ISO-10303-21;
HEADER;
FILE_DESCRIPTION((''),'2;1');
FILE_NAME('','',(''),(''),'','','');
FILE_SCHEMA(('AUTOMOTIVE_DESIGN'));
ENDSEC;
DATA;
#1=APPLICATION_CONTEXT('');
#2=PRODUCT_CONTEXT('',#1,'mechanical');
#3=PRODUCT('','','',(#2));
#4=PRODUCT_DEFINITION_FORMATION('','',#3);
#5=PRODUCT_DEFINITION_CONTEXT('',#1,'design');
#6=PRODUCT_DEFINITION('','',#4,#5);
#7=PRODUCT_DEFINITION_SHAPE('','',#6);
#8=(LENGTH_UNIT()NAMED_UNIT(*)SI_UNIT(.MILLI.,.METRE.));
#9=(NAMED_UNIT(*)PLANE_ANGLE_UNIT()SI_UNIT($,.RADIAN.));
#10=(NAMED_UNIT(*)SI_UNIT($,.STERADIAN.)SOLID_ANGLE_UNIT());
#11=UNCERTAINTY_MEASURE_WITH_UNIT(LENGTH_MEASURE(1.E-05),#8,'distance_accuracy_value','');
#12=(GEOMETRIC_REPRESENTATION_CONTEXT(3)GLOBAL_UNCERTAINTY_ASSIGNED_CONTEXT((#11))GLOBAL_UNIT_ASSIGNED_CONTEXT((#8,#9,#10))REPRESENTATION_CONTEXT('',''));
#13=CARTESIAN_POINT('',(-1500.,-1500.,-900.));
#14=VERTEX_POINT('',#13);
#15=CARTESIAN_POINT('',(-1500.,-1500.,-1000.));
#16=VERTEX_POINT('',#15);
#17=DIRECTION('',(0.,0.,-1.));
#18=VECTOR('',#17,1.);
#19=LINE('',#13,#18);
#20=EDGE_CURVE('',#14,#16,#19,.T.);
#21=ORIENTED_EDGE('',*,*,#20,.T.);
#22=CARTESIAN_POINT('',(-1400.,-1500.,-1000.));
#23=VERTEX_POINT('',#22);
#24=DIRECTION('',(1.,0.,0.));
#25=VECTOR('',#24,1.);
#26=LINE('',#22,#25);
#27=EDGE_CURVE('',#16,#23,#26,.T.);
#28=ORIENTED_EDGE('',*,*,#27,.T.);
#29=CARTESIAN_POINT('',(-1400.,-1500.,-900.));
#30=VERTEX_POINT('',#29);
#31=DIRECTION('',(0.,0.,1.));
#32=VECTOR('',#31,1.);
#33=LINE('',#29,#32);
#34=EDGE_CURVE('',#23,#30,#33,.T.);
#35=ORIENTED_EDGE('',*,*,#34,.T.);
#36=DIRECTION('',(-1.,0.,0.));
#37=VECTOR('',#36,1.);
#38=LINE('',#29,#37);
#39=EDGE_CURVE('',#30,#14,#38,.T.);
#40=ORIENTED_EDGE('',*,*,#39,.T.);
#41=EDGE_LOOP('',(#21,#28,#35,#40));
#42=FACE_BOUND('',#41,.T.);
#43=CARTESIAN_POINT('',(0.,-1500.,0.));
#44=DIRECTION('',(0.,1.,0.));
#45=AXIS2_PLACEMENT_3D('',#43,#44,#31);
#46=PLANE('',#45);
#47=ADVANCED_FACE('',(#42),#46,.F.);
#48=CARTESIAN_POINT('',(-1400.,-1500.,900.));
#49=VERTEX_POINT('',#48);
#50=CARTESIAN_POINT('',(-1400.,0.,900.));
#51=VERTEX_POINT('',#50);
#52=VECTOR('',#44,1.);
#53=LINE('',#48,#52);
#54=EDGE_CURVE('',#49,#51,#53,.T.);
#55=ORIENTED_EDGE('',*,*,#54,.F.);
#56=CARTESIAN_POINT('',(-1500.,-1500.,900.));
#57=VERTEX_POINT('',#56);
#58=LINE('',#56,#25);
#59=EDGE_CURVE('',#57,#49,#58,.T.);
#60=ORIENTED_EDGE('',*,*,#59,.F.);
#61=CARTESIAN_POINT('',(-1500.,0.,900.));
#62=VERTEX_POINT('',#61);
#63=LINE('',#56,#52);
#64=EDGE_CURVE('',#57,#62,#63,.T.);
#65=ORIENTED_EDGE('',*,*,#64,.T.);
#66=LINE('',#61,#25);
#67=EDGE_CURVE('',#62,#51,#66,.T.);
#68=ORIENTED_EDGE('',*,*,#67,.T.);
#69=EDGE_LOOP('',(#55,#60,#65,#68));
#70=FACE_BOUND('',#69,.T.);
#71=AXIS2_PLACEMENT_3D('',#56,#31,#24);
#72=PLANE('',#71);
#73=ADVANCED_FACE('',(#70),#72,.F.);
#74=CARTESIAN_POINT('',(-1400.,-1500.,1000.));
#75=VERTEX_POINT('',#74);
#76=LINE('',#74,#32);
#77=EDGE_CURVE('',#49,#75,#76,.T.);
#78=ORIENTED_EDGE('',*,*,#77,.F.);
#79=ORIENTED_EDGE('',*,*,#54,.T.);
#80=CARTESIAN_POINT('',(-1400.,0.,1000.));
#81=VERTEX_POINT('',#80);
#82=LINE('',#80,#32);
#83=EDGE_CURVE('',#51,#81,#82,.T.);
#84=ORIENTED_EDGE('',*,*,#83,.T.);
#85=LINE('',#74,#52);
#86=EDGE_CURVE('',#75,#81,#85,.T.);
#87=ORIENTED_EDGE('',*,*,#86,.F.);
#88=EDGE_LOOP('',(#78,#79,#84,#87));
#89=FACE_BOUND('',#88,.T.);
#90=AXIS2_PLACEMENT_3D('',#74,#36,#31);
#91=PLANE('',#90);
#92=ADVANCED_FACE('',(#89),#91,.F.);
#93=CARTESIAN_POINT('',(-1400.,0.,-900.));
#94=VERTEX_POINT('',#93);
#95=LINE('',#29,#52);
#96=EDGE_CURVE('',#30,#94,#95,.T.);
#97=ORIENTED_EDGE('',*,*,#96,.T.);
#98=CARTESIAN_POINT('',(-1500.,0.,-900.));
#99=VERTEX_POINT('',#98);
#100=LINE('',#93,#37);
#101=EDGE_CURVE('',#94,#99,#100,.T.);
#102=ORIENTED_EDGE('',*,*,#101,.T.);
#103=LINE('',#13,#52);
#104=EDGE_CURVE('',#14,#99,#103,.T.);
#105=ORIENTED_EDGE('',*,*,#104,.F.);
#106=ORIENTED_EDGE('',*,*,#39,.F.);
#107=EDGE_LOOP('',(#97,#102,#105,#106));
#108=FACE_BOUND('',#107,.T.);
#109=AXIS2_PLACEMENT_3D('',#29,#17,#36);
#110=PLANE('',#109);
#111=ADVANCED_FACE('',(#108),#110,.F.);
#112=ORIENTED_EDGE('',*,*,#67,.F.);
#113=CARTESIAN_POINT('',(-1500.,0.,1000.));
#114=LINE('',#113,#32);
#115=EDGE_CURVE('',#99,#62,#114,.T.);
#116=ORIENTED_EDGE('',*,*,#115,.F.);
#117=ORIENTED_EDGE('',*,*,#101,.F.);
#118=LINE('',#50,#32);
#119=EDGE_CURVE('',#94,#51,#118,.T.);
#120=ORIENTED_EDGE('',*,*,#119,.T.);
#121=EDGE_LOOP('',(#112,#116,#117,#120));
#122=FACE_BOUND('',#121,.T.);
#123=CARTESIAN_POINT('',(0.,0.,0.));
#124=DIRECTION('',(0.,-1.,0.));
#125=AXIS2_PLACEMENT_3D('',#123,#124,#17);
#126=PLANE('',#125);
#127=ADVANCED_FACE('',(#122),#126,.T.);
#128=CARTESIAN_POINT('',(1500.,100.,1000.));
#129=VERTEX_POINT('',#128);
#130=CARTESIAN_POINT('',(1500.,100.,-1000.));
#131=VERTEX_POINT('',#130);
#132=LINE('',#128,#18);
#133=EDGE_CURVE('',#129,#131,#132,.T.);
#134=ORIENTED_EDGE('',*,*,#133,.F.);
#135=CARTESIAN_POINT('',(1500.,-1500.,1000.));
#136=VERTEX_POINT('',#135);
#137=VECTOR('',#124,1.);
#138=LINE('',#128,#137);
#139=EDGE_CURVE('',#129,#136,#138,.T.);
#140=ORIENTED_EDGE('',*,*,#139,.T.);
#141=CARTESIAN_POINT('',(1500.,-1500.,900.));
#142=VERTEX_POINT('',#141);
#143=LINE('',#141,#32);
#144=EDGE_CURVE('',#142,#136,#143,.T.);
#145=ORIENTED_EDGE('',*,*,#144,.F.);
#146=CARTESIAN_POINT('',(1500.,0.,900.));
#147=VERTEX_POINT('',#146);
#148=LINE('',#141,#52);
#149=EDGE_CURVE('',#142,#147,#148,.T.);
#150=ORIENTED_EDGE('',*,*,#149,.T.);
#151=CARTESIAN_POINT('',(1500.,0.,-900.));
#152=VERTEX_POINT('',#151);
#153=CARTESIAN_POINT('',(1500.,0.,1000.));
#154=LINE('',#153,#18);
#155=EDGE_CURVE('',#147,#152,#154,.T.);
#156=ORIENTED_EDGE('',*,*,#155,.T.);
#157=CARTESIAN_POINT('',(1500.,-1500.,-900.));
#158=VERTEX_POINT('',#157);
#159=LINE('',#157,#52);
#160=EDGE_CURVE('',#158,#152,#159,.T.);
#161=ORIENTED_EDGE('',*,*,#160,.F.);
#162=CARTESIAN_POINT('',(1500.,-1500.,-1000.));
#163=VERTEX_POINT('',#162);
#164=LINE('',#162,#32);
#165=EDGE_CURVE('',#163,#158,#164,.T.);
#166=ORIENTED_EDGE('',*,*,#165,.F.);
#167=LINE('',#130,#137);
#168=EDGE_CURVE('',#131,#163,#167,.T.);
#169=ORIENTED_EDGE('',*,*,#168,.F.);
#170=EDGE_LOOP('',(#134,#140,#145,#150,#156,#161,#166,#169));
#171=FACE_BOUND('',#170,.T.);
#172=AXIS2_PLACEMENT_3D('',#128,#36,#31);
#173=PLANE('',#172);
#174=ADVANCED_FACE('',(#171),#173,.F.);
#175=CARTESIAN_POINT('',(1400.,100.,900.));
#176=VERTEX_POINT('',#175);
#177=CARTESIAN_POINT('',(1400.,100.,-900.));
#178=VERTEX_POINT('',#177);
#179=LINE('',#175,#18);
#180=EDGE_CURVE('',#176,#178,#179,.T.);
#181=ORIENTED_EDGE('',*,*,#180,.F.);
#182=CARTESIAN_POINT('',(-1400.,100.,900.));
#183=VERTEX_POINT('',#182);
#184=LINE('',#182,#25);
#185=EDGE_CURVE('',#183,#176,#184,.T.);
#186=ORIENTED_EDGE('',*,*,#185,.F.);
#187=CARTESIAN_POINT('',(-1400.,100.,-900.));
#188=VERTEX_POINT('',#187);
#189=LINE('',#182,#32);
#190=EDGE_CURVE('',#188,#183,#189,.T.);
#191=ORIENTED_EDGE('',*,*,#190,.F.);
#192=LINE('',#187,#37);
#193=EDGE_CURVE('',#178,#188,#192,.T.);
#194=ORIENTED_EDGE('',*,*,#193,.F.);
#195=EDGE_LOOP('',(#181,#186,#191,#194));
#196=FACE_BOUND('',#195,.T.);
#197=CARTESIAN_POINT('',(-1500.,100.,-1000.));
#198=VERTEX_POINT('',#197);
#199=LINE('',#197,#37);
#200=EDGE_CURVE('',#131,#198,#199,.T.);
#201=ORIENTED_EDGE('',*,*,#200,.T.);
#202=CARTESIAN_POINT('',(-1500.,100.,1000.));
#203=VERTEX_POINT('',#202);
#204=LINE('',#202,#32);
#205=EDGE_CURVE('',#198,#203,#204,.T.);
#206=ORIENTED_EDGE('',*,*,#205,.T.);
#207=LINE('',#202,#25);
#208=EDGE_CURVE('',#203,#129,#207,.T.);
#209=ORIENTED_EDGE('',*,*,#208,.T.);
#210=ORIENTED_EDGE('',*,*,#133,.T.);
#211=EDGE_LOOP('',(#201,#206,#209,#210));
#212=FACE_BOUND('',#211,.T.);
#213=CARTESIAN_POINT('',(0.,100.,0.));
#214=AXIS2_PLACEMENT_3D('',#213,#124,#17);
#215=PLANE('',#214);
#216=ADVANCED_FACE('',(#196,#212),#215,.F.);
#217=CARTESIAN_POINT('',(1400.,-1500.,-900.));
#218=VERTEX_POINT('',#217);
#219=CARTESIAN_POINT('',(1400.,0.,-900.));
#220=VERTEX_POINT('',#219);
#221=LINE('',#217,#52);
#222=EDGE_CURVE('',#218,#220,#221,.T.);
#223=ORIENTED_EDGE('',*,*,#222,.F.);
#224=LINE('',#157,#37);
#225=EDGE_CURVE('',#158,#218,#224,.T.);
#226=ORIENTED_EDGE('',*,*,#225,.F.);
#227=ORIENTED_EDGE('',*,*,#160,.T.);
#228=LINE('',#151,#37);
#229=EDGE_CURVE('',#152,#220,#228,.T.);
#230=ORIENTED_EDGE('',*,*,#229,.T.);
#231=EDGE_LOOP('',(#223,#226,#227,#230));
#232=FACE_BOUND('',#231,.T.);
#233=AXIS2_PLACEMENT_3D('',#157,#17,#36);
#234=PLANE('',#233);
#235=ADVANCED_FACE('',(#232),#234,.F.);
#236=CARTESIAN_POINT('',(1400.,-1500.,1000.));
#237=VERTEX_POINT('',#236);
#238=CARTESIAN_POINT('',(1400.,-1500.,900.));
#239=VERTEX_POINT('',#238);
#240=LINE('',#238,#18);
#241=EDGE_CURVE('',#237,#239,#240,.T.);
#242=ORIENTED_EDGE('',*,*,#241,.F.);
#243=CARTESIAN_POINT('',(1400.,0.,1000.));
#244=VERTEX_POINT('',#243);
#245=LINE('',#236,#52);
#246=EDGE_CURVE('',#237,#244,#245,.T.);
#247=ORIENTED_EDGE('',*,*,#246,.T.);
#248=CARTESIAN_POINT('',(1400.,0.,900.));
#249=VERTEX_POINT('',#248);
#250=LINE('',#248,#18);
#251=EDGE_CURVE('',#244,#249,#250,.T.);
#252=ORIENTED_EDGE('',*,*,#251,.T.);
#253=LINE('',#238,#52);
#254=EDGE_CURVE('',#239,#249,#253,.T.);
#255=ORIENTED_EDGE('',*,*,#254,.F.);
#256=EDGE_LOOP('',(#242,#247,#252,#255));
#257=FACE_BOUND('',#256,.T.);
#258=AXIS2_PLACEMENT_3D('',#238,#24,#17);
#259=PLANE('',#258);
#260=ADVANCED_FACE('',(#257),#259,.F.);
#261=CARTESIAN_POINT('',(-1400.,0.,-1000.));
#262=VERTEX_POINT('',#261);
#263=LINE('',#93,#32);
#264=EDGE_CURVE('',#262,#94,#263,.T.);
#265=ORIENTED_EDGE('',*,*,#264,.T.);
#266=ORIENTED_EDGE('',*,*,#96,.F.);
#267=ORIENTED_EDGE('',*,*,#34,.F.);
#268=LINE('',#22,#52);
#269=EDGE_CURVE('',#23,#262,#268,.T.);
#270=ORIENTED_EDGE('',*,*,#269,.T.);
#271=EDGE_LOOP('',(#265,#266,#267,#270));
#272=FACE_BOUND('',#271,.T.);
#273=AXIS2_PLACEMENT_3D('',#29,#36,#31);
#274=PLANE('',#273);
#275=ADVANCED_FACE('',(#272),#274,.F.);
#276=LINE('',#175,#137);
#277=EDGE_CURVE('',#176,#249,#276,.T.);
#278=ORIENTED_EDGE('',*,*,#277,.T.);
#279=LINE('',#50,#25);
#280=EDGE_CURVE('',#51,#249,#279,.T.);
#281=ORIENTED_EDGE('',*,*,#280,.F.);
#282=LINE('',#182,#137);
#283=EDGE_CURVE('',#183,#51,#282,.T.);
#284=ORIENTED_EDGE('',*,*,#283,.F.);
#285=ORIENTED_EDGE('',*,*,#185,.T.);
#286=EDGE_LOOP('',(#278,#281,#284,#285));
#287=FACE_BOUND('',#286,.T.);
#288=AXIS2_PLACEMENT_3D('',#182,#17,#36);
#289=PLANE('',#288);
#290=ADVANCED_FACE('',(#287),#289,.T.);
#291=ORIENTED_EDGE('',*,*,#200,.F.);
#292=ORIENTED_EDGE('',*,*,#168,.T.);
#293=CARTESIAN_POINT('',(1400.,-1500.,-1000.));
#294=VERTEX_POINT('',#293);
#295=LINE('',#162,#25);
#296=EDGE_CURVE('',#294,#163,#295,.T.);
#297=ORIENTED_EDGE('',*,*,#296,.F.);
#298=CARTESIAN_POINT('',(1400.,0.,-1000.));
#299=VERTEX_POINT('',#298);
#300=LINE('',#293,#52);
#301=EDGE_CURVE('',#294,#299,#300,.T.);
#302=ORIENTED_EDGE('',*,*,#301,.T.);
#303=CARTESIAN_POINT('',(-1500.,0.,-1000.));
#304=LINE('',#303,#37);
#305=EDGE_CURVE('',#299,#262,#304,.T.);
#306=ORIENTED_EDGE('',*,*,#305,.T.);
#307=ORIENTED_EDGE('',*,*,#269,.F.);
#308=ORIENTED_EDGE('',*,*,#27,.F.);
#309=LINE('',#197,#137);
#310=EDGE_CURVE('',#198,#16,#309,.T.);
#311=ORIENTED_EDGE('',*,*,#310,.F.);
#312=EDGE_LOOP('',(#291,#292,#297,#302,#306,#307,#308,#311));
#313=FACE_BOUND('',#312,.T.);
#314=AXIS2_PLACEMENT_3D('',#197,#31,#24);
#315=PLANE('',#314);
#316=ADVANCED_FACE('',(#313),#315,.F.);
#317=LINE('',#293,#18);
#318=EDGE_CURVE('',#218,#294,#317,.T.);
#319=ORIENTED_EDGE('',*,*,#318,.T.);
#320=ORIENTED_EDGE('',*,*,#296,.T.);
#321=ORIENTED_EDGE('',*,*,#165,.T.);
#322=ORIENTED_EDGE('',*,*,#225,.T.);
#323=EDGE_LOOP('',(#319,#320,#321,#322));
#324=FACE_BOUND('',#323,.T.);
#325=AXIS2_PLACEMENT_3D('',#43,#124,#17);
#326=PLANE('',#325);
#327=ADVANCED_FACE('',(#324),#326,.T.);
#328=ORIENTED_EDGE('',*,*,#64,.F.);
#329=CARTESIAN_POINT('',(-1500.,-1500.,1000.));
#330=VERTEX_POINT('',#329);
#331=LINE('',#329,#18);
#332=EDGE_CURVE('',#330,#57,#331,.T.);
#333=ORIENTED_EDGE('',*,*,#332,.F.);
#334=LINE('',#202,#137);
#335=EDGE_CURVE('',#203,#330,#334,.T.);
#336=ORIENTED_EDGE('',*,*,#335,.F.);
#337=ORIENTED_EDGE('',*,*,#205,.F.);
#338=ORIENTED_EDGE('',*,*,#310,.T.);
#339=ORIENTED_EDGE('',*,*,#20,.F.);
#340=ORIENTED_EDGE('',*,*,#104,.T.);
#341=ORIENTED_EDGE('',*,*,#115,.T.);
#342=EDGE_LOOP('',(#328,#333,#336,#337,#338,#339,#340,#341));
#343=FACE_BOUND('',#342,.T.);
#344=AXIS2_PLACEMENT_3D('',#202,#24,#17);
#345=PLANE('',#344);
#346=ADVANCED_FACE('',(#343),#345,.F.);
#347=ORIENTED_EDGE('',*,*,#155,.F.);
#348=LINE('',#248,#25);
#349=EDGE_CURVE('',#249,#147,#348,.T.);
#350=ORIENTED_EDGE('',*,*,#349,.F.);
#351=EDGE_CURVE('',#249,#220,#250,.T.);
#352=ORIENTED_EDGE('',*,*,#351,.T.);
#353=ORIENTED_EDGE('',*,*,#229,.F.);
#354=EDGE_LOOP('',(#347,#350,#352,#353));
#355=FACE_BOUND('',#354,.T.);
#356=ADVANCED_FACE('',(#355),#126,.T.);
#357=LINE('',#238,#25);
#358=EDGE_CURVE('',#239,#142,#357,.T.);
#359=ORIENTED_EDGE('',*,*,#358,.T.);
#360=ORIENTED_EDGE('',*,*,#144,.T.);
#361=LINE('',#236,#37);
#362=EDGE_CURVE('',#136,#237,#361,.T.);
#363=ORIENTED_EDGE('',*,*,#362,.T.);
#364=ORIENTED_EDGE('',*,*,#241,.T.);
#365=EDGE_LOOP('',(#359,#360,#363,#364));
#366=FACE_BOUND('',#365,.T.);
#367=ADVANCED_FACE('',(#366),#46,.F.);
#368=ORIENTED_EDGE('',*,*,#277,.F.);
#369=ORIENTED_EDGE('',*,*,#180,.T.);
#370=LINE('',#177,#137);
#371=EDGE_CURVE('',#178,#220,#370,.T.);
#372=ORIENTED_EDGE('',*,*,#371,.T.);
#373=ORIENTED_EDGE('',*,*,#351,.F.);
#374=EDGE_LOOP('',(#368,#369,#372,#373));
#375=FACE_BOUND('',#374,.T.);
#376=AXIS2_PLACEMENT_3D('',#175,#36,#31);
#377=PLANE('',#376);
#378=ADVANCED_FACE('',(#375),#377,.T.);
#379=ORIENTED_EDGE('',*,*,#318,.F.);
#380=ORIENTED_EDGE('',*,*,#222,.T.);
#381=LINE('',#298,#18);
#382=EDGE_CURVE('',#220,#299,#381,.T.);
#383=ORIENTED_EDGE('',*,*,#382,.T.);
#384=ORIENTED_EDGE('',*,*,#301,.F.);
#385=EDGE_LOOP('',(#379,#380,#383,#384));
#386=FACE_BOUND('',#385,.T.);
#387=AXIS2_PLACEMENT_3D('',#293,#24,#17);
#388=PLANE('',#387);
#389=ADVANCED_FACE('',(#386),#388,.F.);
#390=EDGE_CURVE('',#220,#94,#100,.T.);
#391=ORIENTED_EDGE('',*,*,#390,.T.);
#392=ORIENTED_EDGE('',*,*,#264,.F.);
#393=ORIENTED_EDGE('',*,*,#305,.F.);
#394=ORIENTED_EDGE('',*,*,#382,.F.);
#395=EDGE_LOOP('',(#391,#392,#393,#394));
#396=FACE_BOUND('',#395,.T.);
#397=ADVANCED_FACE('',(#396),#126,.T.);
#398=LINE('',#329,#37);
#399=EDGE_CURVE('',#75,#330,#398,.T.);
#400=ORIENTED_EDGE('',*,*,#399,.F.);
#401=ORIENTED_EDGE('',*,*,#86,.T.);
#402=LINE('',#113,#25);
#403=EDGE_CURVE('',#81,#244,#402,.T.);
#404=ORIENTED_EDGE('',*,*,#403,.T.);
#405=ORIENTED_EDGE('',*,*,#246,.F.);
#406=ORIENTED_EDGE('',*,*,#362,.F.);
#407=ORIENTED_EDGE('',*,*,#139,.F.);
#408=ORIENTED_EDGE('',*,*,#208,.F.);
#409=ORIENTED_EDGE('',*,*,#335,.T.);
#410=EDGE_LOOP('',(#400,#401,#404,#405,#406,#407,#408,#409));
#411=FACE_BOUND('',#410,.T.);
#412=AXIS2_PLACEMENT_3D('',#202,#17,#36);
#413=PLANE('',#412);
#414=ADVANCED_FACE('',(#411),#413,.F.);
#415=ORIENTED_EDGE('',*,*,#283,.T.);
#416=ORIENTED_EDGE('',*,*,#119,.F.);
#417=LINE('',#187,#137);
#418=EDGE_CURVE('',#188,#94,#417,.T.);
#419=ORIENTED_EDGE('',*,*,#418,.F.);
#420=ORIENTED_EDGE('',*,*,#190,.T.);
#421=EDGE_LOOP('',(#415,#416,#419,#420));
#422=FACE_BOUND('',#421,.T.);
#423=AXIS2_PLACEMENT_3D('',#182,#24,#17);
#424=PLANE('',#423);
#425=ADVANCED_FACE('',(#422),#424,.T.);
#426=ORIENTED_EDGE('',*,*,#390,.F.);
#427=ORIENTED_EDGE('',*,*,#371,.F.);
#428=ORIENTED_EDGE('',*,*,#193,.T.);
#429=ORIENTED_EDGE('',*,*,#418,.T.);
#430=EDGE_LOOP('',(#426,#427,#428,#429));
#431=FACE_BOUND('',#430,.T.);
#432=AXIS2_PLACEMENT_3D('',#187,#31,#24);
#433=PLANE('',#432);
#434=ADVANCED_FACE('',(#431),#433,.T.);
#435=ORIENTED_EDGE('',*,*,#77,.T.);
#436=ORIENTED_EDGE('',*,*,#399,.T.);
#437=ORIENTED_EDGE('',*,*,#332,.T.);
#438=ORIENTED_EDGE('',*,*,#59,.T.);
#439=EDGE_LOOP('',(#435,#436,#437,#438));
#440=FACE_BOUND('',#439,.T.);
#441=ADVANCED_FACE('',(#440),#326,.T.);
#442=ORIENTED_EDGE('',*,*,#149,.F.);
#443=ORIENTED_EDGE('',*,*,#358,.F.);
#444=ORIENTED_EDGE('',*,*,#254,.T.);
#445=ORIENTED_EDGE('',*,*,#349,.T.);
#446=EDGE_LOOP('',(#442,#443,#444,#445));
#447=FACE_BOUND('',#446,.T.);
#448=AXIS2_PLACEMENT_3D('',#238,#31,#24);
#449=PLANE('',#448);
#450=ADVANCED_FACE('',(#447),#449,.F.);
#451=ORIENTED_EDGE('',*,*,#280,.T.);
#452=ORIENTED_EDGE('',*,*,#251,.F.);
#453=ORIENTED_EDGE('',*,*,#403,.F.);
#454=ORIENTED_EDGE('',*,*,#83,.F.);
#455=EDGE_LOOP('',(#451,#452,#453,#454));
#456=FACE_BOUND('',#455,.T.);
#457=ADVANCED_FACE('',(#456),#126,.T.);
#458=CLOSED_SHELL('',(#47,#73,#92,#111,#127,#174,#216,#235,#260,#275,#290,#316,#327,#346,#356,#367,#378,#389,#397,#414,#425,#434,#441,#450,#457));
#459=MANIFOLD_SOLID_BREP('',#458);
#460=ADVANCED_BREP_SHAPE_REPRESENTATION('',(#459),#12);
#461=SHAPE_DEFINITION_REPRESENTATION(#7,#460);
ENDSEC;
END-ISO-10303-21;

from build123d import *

# Parameters (mm, degrees)
CROQUIS1_W              = 3000
CROQUIS1_H              = 2000
CROQUIS1_W_2            = 2800
CROQUIS1_H_2            = 1800
SALIENTE_EXTRUIR1_DEPTH = 100
CROQUIS2_W              = 100
CROQUIS2_H              = 100
SALIENTE_EXTRUIR2_DEPTH = 1500


with BuildPart() as part:
    # Croquis1 → Saliente-Extruir1 (new body)
    with BuildSketch(Plane(origin=(0, 0, 0), x_dir=(1, 0, 0), z_dir=(0, 1, 0))):
        Rectangle(CROQUIS1_W, CROQUIS1_H)
        Rectangle(CROQUIS1_W_2, CROQUIS1_H_2, mode=Mode.SUBTRACT)
    extrude(amount=SALIENTE_EXTRUIR1_DEPTH)

    # Croquis2 → Saliente-Extruir2 (add)
    with BuildSketch(Plane.XZ):
        with Locations((-1450, 950)):
            Rectangle(CROQUIS2_W, CROQUIS2_H)
        with Locations((-1450, -950)):
            Rectangle(CROQUIS2_W, CROQUIS2_H)
        with Locations((1450, -950)):
            Rectangle(CROQUIS2_W, CROQUIS2_H)
        with Locations((1450, 950)):
            Rectangle(CROQUIS2_W, CROQUIS2_H)
    extrude(amount=SALIENTE_EXTRUIR2_DEPTH)


solid = part.part
